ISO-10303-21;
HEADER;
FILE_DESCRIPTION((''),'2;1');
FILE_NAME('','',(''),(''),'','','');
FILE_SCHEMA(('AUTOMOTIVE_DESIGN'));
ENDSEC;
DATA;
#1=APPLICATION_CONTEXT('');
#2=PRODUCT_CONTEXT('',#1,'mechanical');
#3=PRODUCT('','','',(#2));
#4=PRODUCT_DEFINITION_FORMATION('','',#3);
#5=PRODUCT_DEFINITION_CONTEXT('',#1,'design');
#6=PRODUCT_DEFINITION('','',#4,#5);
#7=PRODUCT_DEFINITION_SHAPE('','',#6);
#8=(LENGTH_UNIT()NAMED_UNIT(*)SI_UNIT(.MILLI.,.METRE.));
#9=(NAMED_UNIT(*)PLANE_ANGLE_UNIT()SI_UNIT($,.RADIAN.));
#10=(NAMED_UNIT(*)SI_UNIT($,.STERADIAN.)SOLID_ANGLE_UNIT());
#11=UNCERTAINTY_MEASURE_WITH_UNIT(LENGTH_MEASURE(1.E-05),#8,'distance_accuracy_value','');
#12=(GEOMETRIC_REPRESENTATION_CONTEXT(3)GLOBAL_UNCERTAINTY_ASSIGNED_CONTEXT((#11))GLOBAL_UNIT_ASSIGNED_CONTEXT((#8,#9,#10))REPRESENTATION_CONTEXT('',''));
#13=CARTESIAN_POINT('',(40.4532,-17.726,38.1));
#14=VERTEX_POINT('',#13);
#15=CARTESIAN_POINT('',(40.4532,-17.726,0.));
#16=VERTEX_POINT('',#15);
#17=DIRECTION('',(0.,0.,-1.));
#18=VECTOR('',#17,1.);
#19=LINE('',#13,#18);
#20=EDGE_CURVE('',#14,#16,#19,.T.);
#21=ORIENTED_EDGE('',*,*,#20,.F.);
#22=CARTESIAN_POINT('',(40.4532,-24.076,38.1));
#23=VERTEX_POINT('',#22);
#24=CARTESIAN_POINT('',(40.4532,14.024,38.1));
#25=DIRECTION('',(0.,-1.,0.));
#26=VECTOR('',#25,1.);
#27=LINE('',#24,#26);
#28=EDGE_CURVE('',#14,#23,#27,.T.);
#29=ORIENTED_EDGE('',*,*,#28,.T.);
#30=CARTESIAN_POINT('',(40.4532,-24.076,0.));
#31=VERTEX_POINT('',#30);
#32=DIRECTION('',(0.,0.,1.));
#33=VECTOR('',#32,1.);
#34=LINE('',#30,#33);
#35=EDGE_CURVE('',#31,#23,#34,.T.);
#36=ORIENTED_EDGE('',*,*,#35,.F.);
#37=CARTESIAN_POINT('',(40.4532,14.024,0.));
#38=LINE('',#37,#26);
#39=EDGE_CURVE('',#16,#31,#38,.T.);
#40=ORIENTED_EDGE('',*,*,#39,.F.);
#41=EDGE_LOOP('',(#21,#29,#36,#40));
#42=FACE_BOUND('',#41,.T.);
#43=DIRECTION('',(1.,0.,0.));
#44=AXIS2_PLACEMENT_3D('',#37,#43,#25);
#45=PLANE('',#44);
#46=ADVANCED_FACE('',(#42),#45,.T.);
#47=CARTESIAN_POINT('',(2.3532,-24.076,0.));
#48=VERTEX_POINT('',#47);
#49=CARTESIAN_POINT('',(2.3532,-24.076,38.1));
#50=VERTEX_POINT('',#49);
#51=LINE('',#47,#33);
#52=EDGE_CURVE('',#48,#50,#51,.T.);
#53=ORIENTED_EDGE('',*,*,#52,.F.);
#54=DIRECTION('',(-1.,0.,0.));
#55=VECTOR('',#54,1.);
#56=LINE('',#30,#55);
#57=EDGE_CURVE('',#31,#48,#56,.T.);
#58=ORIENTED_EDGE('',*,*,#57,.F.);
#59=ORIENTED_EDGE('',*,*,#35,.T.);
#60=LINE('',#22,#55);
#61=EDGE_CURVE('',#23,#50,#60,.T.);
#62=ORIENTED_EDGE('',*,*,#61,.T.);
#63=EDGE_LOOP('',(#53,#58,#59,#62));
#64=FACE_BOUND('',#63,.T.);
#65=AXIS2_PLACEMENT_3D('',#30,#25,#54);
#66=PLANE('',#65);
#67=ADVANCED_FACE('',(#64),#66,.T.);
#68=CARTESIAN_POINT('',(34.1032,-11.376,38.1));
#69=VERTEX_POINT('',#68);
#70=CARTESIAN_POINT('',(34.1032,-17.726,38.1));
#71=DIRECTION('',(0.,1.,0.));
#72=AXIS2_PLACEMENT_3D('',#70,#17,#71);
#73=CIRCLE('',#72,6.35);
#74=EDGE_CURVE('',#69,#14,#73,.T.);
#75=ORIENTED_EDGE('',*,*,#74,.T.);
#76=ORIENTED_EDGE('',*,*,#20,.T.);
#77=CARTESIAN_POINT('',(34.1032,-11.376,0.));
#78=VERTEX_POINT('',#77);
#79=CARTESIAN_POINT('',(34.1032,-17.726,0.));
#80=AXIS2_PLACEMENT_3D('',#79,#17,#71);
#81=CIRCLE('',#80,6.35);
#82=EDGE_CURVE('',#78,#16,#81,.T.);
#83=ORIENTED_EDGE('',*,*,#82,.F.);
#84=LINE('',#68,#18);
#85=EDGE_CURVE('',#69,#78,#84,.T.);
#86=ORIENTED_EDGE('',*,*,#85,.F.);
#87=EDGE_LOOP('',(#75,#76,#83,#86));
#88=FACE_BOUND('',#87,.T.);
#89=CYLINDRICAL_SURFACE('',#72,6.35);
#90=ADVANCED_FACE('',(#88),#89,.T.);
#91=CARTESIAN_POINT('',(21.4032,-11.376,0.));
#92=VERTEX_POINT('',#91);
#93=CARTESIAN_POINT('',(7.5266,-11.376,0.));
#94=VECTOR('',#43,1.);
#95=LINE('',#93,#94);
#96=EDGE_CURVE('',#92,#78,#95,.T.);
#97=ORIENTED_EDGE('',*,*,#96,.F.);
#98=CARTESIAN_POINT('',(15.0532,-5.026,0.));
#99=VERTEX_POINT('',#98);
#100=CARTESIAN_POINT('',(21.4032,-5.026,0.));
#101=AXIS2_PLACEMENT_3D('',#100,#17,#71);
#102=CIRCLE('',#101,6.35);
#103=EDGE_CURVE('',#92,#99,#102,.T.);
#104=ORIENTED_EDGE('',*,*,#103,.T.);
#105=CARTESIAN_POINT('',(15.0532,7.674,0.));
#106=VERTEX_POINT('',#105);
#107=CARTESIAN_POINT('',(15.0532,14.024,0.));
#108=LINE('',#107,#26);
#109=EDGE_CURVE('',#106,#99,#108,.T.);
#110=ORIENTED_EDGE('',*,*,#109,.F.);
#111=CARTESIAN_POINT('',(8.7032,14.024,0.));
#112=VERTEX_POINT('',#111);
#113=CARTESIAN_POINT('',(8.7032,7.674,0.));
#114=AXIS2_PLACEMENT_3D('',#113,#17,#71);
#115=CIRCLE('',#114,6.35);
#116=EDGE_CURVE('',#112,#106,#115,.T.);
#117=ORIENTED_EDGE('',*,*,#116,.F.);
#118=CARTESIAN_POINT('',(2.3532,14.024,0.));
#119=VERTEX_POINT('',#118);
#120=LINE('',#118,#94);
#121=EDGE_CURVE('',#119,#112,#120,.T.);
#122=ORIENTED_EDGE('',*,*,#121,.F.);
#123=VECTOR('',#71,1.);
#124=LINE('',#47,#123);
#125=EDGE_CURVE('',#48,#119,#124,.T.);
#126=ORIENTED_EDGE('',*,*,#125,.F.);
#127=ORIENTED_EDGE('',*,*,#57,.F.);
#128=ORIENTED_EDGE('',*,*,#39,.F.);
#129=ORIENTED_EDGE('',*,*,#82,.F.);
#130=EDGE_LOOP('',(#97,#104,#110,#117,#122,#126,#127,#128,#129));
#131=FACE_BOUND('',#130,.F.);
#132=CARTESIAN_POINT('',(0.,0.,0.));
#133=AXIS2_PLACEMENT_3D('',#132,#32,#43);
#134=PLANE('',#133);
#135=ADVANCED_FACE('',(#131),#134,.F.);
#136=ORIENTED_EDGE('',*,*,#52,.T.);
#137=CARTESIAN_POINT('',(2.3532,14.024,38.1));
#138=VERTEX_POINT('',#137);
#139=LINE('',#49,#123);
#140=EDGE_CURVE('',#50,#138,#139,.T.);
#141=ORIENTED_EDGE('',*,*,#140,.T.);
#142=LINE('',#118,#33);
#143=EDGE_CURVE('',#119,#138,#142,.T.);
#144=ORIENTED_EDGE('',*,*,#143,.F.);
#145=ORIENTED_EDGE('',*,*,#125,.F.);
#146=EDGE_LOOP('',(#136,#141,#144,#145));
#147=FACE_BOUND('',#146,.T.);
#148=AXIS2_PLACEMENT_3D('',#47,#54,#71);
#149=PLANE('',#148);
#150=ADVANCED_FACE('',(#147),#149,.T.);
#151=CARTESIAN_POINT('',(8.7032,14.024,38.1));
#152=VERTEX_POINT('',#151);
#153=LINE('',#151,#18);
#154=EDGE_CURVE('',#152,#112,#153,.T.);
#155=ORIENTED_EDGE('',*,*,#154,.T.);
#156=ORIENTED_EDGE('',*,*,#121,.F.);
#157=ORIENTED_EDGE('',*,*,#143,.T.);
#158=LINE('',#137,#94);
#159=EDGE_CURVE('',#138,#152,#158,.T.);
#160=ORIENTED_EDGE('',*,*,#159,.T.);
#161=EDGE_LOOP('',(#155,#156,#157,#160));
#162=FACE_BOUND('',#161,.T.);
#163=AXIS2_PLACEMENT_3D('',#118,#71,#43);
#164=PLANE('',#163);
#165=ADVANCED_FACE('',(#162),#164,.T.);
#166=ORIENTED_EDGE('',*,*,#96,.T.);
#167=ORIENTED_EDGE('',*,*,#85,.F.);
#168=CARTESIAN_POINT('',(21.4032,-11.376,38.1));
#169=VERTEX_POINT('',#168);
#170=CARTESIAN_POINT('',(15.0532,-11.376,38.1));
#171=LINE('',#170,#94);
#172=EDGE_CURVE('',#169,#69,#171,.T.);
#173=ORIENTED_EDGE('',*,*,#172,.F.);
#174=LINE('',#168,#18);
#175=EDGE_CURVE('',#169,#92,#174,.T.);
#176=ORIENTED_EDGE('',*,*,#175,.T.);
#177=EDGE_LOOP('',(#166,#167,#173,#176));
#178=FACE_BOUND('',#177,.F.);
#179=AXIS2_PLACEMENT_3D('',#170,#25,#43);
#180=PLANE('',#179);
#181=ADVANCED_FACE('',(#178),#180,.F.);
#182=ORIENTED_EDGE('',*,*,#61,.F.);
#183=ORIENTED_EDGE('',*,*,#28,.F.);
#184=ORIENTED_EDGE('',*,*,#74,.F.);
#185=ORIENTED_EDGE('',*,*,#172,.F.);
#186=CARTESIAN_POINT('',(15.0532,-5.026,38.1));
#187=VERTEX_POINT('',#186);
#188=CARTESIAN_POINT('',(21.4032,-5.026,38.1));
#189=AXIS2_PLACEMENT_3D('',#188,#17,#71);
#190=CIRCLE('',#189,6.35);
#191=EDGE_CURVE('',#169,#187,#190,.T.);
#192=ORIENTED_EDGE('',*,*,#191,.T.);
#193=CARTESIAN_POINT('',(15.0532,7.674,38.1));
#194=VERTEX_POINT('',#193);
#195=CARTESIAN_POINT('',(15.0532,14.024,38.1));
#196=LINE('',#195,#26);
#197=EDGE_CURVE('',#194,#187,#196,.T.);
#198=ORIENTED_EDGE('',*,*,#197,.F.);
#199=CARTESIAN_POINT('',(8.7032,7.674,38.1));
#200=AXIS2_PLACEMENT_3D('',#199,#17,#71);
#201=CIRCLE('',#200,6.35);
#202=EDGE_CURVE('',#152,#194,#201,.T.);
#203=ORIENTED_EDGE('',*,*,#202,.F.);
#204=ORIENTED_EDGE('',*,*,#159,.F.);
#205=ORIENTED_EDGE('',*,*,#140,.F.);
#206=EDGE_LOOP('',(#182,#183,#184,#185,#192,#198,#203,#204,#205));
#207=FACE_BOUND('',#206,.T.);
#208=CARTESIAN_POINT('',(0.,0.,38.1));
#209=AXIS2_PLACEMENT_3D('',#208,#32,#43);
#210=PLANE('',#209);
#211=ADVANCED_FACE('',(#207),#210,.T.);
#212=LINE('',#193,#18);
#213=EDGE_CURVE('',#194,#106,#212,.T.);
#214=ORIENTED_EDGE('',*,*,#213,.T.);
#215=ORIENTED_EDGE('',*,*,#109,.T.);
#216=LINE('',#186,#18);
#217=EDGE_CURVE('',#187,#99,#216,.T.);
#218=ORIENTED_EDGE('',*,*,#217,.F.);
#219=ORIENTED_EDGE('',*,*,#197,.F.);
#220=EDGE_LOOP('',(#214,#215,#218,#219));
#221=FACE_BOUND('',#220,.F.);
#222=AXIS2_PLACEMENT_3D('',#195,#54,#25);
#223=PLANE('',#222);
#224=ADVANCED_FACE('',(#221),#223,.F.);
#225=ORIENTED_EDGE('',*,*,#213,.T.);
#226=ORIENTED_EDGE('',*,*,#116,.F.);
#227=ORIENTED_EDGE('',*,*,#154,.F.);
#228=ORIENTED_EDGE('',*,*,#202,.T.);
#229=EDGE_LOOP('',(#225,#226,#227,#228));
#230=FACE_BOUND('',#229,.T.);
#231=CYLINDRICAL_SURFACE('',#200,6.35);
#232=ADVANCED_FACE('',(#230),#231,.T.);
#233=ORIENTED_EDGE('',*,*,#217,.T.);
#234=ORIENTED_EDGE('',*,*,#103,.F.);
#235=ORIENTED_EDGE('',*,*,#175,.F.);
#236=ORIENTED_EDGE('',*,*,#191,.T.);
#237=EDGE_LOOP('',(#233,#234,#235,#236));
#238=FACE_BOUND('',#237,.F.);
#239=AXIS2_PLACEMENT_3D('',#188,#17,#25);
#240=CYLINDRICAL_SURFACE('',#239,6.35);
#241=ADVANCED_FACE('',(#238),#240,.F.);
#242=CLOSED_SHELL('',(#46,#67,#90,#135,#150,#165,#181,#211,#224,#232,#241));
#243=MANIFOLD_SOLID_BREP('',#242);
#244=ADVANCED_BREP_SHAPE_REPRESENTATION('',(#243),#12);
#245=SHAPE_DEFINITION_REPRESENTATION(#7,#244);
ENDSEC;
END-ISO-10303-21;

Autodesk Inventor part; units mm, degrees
ref_plane "YZ Plane" through (0, 0, 0) normal (1, 0, 0) x (0, 1, 0)
ref_plane "XZ Plane" through (0, 0, 0) normal (0, 1, 0) x (-1, 0, 0)
ref_plane "XY Plane" through (0, 0, 0) normal (0, 0, 1) x (1, 0, 0)
sketch "Sketch1" plane through (0, 0, 0) normal (0, 0, 1) x (1, 0, 0)
  line L0 (2.3532, 14.024) -> (40.4532, 14.024)
  line L1 (40.4532, 14.024) -> (40.4532, -24.076)
  line L2 (40.4532, -24.076) -> (2.3532, -24.076)
  line L3 (2.3532, -24.076) -> (2.3532, 14.024)
  point P0 (0, 0)
  dimension "d0" = 38.1
  dimension "d1" = 38.1
extrude "Extrusion1" add sketch "Sketch1" along normal blind 38.1
sketch "Sketch2" plane through (0, 0, 38.1) normal (0, 0, 1) x (1, 0, 0)
  line L0 (15.0532, 14.024) -> (15.0532, 1.324)
  line L1 (40.4532, 14.024) -> (15.0532, 14.024)
  line L2 (15.0532, 14.024) -> (15.0532, -11.376)
  line L3 (15.0532, -11.376) -> (40.4532, -11.376)
  line L4 (40.4532, -11.376) -> (40.4532, 14.024)
  point P0 (0, 0)
  point P1 (2.3532, 14.024)
  point P2 (40.4532, -24.076)
  dimension "d5" = 12.7
extrude "Extrusion2" cut sketch "Sketch2" against normal through all
fillet "Fillet1" radius 6.35 1 edges at (15.0532, 14.024, 19.05)
fillet "Fillet2" radius 6.35 1 edges at (40.4532, -11.376, 19.05)
fillet "Fillet3" radius 6.35 1 edges at (15.0532, -11.376, 19.05)
